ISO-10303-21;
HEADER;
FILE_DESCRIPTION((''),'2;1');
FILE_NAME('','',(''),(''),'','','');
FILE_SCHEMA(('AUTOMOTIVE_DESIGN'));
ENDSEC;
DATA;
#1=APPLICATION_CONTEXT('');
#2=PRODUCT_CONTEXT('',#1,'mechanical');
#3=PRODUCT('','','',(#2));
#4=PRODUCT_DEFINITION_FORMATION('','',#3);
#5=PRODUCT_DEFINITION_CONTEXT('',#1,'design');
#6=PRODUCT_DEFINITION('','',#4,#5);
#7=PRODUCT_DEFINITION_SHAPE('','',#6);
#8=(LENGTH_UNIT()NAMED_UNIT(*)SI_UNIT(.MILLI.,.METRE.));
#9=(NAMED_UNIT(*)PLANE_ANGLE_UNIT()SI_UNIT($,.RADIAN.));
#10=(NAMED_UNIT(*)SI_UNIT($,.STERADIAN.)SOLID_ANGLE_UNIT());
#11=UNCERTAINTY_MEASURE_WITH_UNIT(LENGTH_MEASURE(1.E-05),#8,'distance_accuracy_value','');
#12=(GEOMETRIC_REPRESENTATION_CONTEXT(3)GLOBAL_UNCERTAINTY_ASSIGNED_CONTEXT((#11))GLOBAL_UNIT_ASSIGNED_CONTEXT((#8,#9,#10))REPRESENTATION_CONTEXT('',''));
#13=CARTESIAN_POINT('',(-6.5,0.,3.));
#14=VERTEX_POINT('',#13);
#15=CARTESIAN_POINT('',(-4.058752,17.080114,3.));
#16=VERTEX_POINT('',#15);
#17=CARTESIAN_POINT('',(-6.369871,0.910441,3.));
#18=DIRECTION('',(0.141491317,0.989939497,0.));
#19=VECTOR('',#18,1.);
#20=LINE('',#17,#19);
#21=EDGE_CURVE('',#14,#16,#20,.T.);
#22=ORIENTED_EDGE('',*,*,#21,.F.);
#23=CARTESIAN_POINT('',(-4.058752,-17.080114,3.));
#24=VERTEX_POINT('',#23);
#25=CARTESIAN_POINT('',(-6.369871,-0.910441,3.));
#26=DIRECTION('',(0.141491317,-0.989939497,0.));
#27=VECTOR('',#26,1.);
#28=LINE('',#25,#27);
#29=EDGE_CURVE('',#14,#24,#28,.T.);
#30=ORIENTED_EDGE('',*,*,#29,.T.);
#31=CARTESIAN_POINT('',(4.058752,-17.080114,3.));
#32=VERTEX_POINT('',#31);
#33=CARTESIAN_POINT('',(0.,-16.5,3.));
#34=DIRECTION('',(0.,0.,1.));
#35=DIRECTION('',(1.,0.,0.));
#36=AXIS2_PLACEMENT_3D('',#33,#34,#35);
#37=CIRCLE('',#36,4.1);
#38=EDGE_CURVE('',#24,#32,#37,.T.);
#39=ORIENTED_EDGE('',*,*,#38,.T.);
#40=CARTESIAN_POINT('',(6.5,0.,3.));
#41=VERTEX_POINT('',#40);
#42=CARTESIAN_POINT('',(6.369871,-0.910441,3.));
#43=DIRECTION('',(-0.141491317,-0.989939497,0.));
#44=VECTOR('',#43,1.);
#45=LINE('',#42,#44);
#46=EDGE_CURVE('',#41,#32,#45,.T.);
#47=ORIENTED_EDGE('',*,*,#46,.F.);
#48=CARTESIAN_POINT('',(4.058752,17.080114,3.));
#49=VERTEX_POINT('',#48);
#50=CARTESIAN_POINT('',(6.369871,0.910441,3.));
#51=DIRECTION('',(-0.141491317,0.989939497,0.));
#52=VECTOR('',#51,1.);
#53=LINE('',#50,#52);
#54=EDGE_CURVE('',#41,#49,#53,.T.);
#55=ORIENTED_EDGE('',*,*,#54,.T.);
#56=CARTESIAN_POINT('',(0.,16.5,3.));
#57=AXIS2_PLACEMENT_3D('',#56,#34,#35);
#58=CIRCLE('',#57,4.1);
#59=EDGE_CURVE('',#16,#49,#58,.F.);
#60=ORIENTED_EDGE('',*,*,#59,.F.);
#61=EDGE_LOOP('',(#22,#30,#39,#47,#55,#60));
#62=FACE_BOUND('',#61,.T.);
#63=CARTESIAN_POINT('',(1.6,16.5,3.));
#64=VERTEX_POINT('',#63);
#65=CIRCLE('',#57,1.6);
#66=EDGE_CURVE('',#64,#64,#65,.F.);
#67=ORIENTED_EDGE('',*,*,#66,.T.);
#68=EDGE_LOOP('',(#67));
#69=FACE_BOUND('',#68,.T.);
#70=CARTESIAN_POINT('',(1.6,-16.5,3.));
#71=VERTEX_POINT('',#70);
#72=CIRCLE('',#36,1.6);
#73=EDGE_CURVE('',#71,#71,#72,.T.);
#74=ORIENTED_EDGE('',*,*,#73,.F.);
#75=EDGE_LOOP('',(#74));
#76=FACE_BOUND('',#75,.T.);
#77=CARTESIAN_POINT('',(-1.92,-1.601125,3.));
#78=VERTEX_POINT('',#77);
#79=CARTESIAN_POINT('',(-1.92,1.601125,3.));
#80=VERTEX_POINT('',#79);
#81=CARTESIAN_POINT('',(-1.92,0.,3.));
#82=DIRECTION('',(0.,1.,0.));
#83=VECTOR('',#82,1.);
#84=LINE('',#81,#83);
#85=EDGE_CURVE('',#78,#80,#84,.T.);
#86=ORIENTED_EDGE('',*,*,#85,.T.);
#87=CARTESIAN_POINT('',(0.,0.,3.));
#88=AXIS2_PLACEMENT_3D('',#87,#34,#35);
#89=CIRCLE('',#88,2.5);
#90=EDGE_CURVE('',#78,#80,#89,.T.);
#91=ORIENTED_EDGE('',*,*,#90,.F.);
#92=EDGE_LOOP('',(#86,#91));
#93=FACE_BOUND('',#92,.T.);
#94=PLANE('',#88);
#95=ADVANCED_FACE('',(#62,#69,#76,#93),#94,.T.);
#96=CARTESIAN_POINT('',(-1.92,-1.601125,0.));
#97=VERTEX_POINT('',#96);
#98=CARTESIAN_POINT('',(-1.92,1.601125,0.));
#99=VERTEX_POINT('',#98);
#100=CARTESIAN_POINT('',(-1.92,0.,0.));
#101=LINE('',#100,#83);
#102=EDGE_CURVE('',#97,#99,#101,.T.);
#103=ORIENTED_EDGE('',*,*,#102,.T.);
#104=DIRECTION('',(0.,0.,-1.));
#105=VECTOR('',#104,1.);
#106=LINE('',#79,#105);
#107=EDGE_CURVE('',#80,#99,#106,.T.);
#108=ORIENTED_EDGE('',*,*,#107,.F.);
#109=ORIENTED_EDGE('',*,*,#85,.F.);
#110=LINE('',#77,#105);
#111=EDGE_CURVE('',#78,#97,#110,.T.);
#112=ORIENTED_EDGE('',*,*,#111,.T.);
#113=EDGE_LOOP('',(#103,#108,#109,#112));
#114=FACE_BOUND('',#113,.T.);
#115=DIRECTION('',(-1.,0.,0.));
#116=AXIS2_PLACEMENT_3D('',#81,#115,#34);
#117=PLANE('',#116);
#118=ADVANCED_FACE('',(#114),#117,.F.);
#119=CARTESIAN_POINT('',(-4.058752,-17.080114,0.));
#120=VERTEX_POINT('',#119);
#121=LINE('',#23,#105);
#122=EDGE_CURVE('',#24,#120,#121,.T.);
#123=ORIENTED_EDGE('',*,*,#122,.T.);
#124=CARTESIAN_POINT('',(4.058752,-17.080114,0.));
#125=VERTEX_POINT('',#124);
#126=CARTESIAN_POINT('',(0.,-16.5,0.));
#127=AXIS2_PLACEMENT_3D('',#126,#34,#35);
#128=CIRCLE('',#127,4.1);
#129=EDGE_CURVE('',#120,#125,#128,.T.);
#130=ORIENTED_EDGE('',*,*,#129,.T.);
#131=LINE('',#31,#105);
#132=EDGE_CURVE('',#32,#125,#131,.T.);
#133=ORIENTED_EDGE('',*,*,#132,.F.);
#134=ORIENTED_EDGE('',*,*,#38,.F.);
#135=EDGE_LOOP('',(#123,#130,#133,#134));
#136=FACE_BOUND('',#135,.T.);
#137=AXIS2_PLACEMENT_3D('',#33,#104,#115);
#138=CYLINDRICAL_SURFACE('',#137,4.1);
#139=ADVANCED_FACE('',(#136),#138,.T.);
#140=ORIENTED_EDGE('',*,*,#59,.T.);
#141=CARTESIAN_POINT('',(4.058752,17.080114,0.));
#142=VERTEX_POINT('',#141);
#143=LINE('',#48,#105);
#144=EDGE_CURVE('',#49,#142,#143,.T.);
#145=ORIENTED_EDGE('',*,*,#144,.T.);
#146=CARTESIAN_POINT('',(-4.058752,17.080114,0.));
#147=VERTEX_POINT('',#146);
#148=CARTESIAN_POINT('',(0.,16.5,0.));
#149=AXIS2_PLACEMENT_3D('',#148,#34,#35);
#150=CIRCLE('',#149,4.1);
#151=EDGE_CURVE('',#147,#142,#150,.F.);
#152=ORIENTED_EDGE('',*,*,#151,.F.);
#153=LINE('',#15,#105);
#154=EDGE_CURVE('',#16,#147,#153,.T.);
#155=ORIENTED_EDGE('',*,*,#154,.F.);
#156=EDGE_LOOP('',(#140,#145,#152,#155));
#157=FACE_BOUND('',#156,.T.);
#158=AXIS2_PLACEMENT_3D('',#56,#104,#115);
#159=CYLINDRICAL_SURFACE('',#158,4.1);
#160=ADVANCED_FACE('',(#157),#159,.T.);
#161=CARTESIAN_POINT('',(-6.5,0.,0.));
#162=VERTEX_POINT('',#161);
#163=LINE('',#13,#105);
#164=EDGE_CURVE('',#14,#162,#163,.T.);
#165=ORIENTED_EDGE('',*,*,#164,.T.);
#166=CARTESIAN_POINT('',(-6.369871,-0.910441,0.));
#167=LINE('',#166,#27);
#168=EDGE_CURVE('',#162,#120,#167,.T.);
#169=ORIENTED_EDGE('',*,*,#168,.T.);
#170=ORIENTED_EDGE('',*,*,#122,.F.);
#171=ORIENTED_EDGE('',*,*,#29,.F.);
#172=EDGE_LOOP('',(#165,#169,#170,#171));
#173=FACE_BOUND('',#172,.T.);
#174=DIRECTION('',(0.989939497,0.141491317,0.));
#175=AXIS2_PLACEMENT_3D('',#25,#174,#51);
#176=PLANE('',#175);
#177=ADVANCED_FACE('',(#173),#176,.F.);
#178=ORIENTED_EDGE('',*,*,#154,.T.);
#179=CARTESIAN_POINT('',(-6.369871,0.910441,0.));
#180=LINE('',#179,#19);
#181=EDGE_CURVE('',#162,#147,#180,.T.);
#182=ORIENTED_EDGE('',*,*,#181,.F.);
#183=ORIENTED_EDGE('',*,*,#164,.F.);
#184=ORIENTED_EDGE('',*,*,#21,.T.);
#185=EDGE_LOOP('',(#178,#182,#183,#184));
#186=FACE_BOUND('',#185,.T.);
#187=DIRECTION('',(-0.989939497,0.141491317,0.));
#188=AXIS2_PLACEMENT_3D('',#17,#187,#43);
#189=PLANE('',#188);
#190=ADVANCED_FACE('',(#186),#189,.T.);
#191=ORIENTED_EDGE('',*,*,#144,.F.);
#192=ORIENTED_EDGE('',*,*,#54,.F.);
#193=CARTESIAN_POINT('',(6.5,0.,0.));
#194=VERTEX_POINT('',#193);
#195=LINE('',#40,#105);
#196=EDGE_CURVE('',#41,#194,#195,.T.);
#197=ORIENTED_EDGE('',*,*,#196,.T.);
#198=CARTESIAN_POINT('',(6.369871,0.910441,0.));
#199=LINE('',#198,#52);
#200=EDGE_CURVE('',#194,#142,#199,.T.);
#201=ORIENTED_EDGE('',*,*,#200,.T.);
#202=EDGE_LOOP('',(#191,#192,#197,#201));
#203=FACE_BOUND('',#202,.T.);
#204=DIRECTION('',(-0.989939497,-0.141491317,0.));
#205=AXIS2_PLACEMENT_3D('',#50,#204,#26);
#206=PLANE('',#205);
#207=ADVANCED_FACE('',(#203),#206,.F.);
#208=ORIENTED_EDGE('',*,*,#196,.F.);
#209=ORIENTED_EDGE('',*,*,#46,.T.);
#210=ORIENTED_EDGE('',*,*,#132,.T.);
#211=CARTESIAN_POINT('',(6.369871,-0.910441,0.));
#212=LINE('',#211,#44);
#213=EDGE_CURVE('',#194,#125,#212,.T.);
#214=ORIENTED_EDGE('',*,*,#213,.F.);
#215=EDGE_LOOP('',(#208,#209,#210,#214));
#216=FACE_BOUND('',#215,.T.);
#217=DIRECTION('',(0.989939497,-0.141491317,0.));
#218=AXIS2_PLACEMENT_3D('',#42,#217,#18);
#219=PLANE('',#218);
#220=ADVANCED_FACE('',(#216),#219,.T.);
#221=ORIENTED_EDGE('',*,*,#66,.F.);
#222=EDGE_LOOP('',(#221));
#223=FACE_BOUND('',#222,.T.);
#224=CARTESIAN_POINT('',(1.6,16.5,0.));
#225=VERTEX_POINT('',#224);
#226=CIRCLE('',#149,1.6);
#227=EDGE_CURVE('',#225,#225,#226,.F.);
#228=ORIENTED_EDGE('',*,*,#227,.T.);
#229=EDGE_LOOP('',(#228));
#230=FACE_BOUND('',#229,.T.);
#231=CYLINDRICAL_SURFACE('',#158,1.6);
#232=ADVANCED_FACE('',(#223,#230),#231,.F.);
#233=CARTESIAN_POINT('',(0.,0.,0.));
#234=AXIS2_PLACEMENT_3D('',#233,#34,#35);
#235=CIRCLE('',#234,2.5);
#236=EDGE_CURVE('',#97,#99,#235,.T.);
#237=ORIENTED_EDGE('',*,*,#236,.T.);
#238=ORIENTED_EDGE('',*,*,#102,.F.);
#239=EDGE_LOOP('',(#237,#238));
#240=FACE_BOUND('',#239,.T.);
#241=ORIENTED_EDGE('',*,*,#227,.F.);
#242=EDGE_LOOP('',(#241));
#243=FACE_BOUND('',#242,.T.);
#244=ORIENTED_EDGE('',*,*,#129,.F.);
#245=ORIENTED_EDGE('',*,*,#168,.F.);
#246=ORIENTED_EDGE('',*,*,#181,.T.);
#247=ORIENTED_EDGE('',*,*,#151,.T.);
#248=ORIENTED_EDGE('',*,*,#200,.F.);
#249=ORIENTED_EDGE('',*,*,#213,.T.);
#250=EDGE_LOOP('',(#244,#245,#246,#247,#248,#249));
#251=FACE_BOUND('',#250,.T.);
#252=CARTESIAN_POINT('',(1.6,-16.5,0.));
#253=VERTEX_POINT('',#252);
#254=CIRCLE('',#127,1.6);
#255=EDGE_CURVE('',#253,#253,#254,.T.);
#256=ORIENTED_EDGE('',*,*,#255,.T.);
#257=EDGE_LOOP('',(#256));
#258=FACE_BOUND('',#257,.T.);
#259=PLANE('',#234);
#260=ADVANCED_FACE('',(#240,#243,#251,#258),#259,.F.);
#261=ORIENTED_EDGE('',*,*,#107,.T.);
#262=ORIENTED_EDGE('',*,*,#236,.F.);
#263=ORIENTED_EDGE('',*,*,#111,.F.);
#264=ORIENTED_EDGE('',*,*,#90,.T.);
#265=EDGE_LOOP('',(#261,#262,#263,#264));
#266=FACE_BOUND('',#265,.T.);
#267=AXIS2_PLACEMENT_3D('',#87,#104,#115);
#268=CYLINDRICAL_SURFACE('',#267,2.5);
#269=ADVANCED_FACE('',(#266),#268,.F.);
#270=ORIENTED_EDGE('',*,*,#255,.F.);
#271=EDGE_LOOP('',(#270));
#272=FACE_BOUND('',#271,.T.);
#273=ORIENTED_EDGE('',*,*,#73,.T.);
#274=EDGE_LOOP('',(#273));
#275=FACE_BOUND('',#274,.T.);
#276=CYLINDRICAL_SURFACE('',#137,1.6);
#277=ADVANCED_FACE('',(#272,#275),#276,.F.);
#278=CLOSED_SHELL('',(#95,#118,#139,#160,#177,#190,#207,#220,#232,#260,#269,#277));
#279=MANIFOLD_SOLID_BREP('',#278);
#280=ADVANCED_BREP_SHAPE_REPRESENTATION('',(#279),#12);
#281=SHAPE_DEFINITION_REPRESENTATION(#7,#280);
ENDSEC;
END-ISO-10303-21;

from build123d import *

# Parameters (mm, degrees)
CROQUIS1_R              = 1.6
SALIENTE_EXTRUIR1_DEPTH = 3


with BuildPart() as part:
    # Croquis1 → Saliente-Extruir1 (new body)
    with BuildSketch(Plane(origin=(0, 0, 0), x_dir=(0, 1, 0), z_dir=(0, 0, 1))):
        with BuildLine():
            Line((0, 6.5), (-17.080114399, 4.058751937))
            ThreePointArc((-17.080114399, 4.058751937), (-20.6, 0), (-17.080114399, -4.058751937))
            Line((-17.080114399, -4.058751937), (0, -6.5))
            Line((0, -6.5), (17.080114399, -4.058751937))
            ThreePointArc((17.080114399, -4.058751937), (20.6, 0), (17.080114399, 4.058751937))
            Line((17.080114399, 4.058751937), (0, 6.5))
        make_face()
        with BuildLine():
            Line((-1.601124605, 1.92), (1.601124605, 1.92))
            ThreePointArc((1.601124605, 1.92), (0, -2.5), (-1.601124605, 1.92))
        make_face(mode=Mode.SUBTRACT)
        with Locations(Location((-16.5, 0, 0), (0, 0, 270))):
            Circle(CROQUIS1_R, mode=Mode.SUBTRACT)
        with Locations(Location((16.5, 0, 0), (0, 0, 270))):
            Circle(CROQUIS1_R, mode=Mode.SUBTRACT)
    extrude(amount=SALIENTE_EXTRUIR1_DEPTH)


solid = part.part
